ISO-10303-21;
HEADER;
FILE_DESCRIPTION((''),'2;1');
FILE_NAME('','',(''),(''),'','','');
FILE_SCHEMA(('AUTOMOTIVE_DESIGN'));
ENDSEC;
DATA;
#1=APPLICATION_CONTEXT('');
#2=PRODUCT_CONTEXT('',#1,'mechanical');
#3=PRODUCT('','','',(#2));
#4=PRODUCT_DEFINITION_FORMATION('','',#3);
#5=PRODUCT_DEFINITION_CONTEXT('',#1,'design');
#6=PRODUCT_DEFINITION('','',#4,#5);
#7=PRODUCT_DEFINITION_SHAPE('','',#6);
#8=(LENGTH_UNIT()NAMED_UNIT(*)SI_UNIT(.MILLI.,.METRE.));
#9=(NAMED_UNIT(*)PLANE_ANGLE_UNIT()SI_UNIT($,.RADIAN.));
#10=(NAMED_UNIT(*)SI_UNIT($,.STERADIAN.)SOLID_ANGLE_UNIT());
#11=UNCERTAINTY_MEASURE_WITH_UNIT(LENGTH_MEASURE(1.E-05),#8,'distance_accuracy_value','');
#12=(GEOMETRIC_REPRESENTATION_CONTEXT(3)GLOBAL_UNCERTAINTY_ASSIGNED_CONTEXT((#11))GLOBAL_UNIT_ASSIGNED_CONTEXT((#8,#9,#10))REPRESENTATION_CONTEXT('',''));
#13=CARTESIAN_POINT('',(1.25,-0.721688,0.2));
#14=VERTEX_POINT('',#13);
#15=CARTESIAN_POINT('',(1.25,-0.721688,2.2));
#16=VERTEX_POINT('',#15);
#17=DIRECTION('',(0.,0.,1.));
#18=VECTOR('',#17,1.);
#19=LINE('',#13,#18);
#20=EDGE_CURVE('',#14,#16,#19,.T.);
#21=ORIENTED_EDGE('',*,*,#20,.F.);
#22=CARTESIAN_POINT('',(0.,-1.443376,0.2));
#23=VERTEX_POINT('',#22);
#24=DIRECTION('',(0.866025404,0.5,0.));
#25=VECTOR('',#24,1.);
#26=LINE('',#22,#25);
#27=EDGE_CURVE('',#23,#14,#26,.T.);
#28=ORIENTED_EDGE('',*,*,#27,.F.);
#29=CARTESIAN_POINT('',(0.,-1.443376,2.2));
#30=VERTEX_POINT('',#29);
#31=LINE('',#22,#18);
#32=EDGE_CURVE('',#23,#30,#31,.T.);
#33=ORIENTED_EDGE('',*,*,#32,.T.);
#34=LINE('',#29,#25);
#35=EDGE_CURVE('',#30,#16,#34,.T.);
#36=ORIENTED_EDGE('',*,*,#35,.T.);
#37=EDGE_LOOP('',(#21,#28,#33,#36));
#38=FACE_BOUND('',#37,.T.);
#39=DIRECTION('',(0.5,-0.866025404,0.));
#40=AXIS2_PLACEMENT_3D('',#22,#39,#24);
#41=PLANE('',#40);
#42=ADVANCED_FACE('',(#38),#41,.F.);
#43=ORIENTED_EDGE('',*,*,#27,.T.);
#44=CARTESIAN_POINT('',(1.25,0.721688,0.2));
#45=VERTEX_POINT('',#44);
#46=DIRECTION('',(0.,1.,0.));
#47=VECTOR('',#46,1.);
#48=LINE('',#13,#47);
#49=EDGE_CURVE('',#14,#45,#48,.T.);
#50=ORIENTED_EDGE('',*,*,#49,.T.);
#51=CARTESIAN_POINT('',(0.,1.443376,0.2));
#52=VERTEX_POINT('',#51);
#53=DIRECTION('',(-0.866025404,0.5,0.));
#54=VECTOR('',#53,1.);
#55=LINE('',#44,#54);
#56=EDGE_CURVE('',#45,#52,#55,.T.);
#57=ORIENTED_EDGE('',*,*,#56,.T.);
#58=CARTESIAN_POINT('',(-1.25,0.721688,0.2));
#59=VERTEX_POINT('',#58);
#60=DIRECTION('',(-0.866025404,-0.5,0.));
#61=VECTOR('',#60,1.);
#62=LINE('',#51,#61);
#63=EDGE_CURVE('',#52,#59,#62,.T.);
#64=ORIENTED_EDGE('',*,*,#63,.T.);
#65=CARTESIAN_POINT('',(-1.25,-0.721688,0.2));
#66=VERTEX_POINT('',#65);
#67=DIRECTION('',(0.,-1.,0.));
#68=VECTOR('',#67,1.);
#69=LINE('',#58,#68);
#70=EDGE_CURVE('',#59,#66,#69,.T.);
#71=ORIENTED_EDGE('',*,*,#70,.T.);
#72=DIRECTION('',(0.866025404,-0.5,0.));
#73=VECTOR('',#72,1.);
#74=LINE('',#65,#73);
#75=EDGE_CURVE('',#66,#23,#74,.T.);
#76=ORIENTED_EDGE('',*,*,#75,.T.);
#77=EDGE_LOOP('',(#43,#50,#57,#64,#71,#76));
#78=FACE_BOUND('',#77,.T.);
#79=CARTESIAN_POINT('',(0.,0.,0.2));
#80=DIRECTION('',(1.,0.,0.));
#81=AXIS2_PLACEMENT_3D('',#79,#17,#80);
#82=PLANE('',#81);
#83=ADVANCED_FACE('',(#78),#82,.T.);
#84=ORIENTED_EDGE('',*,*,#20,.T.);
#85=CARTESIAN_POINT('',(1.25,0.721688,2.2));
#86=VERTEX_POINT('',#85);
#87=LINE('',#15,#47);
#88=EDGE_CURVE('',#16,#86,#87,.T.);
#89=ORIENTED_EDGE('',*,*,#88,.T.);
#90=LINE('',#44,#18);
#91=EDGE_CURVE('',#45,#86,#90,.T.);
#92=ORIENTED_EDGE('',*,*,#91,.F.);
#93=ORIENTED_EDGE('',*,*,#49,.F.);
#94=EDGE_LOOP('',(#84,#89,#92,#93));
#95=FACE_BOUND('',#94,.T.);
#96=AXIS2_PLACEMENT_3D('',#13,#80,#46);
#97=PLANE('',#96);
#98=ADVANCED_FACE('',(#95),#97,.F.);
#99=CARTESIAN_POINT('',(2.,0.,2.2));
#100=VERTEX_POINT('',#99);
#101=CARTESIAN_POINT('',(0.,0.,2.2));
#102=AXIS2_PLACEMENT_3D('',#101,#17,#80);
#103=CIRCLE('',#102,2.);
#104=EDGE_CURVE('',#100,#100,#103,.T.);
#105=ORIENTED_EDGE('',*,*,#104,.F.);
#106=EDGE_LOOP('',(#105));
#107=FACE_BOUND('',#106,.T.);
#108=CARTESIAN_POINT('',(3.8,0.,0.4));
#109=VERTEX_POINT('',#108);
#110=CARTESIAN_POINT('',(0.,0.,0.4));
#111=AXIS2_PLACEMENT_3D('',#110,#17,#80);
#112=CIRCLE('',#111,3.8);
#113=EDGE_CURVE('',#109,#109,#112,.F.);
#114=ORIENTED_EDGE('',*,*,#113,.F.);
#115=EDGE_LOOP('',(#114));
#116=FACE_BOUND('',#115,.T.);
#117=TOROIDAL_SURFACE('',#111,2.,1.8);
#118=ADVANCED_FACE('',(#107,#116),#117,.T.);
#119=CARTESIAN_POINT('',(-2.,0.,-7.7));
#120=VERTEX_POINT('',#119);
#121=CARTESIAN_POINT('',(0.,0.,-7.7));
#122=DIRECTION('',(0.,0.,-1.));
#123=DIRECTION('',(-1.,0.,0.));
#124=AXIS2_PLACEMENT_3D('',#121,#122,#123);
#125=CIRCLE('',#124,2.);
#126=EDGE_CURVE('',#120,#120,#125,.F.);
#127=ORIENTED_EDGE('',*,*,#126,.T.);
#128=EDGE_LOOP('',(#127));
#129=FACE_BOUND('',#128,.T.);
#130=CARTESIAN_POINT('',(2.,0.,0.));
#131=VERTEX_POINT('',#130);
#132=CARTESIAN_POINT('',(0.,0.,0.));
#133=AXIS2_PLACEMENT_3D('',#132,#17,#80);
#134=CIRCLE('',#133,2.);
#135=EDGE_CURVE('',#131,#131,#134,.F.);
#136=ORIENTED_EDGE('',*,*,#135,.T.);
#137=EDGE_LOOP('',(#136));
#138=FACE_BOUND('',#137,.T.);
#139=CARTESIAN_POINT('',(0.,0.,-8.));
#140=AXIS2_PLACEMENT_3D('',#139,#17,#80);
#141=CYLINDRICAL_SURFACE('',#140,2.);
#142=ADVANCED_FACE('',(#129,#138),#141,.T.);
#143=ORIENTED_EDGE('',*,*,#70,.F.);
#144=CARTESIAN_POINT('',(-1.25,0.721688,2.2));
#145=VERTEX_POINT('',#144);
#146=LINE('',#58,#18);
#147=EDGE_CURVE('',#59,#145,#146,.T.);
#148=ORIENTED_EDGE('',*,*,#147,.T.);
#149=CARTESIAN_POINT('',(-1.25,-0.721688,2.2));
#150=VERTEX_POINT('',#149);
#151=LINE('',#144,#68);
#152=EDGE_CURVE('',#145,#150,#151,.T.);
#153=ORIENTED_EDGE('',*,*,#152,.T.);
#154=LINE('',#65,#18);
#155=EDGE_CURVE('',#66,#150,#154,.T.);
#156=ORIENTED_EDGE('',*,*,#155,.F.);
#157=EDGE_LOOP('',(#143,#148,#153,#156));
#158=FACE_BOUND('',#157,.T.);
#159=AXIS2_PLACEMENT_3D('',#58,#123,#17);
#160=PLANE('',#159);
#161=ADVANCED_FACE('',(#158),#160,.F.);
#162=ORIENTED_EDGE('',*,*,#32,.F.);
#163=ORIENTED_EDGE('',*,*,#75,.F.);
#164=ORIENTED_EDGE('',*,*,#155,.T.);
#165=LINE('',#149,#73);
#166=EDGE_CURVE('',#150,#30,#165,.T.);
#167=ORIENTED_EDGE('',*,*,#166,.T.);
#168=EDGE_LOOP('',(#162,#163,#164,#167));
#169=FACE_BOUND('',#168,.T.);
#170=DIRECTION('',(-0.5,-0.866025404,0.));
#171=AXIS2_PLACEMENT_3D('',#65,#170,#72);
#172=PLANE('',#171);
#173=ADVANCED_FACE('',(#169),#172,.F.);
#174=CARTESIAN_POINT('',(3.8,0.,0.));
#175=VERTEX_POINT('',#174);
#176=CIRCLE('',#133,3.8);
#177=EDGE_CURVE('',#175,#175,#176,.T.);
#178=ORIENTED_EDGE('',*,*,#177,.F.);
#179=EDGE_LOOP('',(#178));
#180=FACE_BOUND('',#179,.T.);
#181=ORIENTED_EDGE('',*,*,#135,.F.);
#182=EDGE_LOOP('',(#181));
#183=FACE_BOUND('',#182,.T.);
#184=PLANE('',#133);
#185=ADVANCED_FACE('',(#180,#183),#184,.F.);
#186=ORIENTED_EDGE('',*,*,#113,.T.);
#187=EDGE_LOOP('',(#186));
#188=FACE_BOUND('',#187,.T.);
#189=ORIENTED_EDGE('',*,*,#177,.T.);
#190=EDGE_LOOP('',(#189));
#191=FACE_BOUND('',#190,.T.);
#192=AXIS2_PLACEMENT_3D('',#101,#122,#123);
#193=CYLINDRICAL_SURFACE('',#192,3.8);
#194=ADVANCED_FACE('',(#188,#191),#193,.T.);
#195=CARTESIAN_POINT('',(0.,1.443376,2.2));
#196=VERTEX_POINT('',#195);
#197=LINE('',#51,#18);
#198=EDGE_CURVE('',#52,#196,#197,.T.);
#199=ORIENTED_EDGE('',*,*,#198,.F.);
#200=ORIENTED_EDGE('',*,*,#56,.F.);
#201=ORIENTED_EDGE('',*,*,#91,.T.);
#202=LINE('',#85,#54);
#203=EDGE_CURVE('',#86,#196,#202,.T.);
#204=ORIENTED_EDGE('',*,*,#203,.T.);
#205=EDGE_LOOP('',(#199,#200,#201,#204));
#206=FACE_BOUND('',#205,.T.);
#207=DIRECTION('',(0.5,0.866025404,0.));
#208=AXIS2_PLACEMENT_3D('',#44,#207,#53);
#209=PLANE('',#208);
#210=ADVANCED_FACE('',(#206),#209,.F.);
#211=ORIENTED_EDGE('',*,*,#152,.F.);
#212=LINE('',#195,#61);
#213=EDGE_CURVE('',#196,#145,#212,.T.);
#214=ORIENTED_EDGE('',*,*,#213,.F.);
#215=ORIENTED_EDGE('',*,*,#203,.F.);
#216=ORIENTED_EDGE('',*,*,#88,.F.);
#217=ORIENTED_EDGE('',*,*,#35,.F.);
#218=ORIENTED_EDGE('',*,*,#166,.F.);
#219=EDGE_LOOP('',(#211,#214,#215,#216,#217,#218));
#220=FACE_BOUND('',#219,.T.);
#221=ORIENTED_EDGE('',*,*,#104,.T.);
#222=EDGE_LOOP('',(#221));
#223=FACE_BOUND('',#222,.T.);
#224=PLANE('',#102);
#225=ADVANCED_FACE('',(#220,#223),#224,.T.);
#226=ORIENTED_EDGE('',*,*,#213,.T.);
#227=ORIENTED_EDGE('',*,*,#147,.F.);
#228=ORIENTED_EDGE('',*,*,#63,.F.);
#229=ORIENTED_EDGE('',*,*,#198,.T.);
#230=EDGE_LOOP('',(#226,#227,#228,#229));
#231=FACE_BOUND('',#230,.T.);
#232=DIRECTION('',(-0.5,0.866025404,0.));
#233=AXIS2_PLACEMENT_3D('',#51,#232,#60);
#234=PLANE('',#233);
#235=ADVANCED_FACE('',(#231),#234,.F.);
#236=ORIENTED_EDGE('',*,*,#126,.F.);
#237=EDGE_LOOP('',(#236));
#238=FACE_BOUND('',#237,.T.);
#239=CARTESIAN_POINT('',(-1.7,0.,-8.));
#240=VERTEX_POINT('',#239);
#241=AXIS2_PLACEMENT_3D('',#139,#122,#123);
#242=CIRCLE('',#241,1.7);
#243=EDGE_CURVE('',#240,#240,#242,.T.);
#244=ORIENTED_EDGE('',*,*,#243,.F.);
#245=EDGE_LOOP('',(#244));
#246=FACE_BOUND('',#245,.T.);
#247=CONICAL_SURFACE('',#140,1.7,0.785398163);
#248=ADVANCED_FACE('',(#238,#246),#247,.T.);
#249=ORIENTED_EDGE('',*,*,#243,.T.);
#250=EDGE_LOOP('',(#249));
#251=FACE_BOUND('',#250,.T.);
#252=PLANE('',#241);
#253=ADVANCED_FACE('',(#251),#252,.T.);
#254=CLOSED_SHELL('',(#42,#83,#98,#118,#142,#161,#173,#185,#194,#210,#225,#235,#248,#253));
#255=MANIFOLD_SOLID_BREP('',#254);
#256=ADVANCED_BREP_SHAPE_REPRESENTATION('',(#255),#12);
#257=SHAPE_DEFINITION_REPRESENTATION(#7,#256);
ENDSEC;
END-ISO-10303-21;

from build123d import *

# Parameters (mm, degrees)
SKETCH1_R           = 3.8
BOSS_EXTRUDE1_DEPTH = 2.2
SKETCH2_R           = 2
BOSS_EXTRUDE2_DEPTH = 8
CHAMFER1_SIZE       = 0.3
CUT_EXTRUDE1_DEPTH  = 2
FILLET1_R           = 1.8


with BuildPart() as part:
    # Sketch1 → Boss-Extrude1 (new body)
    with BuildSketch(Plane.XY):
        Circle(SKETCH1_R)
    extrude(amount=BOSS_EXTRUDE1_DEPTH)

    # Sketch2 → Boss-Extrude2 (add)
    with BuildSketch(Plane(origin=(0, 0, 0), x_dir=(-1, 0, 0), z_dir=(0, 0, -1))):
        Circle(SKETCH2_R)
    extrude(amount=BOSS_EXTRUDE2_DEPTH)

    # Chamfer1
    chamfer1_edges = [part.edges().sort_by_distance(p)[0] for p in [
        (2, 0, -8),
    ]]
    chamfer(chamfer1_edges, length=CHAMFER1_SIZE)

    # Sketch3 → Cut-Extrude1 (cut)
    with BuildSketch(Plane.XY.offset(2.2)):
        Polygon((0, 1.443375673), (-1.25, 0.721687836), (-1.25, -0.721687836), (0, -1.443375673), (1.25, -0.721687836), (1.25, 0.721687836), align=None)
    extrude(amount=-CUT_EXTRUDE1_DEPTH, mode=Mode.SUBTRACT)

    # Fillet1
    fillet1_edges = [part.edges().sort_by_distance(p)[0] for p in [
        (-3.8, 0, 2.2),
    ]]
    fillet(fillet1_edges, radius=FILLET1_R)


solid = part.part
